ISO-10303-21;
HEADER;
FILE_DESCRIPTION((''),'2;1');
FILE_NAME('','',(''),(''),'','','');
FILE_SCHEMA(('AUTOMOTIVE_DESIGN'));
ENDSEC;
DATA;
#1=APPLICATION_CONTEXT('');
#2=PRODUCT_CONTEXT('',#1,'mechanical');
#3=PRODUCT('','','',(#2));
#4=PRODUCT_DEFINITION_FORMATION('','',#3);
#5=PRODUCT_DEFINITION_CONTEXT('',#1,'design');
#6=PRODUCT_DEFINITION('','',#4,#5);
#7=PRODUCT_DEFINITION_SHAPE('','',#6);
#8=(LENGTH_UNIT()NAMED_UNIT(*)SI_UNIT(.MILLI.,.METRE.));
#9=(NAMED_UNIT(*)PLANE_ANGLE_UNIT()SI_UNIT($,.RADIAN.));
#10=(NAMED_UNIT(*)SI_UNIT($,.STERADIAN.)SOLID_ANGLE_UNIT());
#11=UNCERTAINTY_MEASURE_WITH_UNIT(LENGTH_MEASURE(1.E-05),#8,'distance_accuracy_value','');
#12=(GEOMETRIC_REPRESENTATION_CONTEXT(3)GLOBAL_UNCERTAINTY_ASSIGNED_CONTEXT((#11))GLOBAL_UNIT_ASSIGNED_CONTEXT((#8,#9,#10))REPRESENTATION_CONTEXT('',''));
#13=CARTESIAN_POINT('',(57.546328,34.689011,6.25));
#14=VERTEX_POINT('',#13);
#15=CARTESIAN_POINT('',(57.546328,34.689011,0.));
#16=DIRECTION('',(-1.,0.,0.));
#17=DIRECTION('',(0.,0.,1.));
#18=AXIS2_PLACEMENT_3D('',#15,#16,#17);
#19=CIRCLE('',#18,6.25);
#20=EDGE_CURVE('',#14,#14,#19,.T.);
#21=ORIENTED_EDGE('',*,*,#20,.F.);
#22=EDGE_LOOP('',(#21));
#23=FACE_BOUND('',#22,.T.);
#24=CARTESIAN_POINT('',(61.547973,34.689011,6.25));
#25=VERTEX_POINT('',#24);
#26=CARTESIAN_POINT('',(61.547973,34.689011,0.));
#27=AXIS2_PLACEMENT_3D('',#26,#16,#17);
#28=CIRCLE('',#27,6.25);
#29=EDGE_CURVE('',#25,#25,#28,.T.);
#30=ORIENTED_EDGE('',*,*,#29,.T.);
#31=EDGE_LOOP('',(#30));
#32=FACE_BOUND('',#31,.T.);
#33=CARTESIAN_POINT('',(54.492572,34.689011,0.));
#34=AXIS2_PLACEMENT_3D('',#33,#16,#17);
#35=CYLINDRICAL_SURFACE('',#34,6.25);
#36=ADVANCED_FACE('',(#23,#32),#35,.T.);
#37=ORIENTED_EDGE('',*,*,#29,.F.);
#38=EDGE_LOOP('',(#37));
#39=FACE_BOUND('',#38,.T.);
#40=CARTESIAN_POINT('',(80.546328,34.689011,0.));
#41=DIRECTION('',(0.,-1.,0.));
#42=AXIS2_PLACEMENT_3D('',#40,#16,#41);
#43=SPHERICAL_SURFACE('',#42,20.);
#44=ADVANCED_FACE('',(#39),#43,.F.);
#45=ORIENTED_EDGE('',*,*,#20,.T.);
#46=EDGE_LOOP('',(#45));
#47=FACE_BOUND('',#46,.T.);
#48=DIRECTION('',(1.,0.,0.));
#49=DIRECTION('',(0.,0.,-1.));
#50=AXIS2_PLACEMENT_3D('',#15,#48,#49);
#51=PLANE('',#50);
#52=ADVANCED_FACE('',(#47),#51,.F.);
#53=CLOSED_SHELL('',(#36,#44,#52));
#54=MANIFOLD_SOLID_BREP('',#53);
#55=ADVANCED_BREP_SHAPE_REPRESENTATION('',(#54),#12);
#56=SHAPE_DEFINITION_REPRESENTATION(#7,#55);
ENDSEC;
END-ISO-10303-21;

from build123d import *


with BuildPart() as part:
    # 草图1 → 旋转1 (revolve)
    with BuildSketch(Plane.XY, mode=Mode.PRIVATE) as revolve_1_sk:
        with BuildLine():
            Line((57.546327767, 34.689010562), (57.546327767, 40.939010562))
            Line((57.546327767, 40.939010562), (61.547972565, 40.939010562))
            ThreePointArc((61.547972565, 40.939010562), (60.798326543, 37.853887823), (60.546327756, 34.689010562))
            Line((60.546327756, 34.689010562), (57.546327767, 34.689010562))
        make_face()
    revolve(revolve_1_sk.sketch.rotate(Axis((54.492571501, 34.689010562, 0), (1, 0, 0)), 180), axis=Axis((54.492571501, 34.689010562, 0), (1, 0, 0)))  # turned: the seam where the file's is


solid = part.part
